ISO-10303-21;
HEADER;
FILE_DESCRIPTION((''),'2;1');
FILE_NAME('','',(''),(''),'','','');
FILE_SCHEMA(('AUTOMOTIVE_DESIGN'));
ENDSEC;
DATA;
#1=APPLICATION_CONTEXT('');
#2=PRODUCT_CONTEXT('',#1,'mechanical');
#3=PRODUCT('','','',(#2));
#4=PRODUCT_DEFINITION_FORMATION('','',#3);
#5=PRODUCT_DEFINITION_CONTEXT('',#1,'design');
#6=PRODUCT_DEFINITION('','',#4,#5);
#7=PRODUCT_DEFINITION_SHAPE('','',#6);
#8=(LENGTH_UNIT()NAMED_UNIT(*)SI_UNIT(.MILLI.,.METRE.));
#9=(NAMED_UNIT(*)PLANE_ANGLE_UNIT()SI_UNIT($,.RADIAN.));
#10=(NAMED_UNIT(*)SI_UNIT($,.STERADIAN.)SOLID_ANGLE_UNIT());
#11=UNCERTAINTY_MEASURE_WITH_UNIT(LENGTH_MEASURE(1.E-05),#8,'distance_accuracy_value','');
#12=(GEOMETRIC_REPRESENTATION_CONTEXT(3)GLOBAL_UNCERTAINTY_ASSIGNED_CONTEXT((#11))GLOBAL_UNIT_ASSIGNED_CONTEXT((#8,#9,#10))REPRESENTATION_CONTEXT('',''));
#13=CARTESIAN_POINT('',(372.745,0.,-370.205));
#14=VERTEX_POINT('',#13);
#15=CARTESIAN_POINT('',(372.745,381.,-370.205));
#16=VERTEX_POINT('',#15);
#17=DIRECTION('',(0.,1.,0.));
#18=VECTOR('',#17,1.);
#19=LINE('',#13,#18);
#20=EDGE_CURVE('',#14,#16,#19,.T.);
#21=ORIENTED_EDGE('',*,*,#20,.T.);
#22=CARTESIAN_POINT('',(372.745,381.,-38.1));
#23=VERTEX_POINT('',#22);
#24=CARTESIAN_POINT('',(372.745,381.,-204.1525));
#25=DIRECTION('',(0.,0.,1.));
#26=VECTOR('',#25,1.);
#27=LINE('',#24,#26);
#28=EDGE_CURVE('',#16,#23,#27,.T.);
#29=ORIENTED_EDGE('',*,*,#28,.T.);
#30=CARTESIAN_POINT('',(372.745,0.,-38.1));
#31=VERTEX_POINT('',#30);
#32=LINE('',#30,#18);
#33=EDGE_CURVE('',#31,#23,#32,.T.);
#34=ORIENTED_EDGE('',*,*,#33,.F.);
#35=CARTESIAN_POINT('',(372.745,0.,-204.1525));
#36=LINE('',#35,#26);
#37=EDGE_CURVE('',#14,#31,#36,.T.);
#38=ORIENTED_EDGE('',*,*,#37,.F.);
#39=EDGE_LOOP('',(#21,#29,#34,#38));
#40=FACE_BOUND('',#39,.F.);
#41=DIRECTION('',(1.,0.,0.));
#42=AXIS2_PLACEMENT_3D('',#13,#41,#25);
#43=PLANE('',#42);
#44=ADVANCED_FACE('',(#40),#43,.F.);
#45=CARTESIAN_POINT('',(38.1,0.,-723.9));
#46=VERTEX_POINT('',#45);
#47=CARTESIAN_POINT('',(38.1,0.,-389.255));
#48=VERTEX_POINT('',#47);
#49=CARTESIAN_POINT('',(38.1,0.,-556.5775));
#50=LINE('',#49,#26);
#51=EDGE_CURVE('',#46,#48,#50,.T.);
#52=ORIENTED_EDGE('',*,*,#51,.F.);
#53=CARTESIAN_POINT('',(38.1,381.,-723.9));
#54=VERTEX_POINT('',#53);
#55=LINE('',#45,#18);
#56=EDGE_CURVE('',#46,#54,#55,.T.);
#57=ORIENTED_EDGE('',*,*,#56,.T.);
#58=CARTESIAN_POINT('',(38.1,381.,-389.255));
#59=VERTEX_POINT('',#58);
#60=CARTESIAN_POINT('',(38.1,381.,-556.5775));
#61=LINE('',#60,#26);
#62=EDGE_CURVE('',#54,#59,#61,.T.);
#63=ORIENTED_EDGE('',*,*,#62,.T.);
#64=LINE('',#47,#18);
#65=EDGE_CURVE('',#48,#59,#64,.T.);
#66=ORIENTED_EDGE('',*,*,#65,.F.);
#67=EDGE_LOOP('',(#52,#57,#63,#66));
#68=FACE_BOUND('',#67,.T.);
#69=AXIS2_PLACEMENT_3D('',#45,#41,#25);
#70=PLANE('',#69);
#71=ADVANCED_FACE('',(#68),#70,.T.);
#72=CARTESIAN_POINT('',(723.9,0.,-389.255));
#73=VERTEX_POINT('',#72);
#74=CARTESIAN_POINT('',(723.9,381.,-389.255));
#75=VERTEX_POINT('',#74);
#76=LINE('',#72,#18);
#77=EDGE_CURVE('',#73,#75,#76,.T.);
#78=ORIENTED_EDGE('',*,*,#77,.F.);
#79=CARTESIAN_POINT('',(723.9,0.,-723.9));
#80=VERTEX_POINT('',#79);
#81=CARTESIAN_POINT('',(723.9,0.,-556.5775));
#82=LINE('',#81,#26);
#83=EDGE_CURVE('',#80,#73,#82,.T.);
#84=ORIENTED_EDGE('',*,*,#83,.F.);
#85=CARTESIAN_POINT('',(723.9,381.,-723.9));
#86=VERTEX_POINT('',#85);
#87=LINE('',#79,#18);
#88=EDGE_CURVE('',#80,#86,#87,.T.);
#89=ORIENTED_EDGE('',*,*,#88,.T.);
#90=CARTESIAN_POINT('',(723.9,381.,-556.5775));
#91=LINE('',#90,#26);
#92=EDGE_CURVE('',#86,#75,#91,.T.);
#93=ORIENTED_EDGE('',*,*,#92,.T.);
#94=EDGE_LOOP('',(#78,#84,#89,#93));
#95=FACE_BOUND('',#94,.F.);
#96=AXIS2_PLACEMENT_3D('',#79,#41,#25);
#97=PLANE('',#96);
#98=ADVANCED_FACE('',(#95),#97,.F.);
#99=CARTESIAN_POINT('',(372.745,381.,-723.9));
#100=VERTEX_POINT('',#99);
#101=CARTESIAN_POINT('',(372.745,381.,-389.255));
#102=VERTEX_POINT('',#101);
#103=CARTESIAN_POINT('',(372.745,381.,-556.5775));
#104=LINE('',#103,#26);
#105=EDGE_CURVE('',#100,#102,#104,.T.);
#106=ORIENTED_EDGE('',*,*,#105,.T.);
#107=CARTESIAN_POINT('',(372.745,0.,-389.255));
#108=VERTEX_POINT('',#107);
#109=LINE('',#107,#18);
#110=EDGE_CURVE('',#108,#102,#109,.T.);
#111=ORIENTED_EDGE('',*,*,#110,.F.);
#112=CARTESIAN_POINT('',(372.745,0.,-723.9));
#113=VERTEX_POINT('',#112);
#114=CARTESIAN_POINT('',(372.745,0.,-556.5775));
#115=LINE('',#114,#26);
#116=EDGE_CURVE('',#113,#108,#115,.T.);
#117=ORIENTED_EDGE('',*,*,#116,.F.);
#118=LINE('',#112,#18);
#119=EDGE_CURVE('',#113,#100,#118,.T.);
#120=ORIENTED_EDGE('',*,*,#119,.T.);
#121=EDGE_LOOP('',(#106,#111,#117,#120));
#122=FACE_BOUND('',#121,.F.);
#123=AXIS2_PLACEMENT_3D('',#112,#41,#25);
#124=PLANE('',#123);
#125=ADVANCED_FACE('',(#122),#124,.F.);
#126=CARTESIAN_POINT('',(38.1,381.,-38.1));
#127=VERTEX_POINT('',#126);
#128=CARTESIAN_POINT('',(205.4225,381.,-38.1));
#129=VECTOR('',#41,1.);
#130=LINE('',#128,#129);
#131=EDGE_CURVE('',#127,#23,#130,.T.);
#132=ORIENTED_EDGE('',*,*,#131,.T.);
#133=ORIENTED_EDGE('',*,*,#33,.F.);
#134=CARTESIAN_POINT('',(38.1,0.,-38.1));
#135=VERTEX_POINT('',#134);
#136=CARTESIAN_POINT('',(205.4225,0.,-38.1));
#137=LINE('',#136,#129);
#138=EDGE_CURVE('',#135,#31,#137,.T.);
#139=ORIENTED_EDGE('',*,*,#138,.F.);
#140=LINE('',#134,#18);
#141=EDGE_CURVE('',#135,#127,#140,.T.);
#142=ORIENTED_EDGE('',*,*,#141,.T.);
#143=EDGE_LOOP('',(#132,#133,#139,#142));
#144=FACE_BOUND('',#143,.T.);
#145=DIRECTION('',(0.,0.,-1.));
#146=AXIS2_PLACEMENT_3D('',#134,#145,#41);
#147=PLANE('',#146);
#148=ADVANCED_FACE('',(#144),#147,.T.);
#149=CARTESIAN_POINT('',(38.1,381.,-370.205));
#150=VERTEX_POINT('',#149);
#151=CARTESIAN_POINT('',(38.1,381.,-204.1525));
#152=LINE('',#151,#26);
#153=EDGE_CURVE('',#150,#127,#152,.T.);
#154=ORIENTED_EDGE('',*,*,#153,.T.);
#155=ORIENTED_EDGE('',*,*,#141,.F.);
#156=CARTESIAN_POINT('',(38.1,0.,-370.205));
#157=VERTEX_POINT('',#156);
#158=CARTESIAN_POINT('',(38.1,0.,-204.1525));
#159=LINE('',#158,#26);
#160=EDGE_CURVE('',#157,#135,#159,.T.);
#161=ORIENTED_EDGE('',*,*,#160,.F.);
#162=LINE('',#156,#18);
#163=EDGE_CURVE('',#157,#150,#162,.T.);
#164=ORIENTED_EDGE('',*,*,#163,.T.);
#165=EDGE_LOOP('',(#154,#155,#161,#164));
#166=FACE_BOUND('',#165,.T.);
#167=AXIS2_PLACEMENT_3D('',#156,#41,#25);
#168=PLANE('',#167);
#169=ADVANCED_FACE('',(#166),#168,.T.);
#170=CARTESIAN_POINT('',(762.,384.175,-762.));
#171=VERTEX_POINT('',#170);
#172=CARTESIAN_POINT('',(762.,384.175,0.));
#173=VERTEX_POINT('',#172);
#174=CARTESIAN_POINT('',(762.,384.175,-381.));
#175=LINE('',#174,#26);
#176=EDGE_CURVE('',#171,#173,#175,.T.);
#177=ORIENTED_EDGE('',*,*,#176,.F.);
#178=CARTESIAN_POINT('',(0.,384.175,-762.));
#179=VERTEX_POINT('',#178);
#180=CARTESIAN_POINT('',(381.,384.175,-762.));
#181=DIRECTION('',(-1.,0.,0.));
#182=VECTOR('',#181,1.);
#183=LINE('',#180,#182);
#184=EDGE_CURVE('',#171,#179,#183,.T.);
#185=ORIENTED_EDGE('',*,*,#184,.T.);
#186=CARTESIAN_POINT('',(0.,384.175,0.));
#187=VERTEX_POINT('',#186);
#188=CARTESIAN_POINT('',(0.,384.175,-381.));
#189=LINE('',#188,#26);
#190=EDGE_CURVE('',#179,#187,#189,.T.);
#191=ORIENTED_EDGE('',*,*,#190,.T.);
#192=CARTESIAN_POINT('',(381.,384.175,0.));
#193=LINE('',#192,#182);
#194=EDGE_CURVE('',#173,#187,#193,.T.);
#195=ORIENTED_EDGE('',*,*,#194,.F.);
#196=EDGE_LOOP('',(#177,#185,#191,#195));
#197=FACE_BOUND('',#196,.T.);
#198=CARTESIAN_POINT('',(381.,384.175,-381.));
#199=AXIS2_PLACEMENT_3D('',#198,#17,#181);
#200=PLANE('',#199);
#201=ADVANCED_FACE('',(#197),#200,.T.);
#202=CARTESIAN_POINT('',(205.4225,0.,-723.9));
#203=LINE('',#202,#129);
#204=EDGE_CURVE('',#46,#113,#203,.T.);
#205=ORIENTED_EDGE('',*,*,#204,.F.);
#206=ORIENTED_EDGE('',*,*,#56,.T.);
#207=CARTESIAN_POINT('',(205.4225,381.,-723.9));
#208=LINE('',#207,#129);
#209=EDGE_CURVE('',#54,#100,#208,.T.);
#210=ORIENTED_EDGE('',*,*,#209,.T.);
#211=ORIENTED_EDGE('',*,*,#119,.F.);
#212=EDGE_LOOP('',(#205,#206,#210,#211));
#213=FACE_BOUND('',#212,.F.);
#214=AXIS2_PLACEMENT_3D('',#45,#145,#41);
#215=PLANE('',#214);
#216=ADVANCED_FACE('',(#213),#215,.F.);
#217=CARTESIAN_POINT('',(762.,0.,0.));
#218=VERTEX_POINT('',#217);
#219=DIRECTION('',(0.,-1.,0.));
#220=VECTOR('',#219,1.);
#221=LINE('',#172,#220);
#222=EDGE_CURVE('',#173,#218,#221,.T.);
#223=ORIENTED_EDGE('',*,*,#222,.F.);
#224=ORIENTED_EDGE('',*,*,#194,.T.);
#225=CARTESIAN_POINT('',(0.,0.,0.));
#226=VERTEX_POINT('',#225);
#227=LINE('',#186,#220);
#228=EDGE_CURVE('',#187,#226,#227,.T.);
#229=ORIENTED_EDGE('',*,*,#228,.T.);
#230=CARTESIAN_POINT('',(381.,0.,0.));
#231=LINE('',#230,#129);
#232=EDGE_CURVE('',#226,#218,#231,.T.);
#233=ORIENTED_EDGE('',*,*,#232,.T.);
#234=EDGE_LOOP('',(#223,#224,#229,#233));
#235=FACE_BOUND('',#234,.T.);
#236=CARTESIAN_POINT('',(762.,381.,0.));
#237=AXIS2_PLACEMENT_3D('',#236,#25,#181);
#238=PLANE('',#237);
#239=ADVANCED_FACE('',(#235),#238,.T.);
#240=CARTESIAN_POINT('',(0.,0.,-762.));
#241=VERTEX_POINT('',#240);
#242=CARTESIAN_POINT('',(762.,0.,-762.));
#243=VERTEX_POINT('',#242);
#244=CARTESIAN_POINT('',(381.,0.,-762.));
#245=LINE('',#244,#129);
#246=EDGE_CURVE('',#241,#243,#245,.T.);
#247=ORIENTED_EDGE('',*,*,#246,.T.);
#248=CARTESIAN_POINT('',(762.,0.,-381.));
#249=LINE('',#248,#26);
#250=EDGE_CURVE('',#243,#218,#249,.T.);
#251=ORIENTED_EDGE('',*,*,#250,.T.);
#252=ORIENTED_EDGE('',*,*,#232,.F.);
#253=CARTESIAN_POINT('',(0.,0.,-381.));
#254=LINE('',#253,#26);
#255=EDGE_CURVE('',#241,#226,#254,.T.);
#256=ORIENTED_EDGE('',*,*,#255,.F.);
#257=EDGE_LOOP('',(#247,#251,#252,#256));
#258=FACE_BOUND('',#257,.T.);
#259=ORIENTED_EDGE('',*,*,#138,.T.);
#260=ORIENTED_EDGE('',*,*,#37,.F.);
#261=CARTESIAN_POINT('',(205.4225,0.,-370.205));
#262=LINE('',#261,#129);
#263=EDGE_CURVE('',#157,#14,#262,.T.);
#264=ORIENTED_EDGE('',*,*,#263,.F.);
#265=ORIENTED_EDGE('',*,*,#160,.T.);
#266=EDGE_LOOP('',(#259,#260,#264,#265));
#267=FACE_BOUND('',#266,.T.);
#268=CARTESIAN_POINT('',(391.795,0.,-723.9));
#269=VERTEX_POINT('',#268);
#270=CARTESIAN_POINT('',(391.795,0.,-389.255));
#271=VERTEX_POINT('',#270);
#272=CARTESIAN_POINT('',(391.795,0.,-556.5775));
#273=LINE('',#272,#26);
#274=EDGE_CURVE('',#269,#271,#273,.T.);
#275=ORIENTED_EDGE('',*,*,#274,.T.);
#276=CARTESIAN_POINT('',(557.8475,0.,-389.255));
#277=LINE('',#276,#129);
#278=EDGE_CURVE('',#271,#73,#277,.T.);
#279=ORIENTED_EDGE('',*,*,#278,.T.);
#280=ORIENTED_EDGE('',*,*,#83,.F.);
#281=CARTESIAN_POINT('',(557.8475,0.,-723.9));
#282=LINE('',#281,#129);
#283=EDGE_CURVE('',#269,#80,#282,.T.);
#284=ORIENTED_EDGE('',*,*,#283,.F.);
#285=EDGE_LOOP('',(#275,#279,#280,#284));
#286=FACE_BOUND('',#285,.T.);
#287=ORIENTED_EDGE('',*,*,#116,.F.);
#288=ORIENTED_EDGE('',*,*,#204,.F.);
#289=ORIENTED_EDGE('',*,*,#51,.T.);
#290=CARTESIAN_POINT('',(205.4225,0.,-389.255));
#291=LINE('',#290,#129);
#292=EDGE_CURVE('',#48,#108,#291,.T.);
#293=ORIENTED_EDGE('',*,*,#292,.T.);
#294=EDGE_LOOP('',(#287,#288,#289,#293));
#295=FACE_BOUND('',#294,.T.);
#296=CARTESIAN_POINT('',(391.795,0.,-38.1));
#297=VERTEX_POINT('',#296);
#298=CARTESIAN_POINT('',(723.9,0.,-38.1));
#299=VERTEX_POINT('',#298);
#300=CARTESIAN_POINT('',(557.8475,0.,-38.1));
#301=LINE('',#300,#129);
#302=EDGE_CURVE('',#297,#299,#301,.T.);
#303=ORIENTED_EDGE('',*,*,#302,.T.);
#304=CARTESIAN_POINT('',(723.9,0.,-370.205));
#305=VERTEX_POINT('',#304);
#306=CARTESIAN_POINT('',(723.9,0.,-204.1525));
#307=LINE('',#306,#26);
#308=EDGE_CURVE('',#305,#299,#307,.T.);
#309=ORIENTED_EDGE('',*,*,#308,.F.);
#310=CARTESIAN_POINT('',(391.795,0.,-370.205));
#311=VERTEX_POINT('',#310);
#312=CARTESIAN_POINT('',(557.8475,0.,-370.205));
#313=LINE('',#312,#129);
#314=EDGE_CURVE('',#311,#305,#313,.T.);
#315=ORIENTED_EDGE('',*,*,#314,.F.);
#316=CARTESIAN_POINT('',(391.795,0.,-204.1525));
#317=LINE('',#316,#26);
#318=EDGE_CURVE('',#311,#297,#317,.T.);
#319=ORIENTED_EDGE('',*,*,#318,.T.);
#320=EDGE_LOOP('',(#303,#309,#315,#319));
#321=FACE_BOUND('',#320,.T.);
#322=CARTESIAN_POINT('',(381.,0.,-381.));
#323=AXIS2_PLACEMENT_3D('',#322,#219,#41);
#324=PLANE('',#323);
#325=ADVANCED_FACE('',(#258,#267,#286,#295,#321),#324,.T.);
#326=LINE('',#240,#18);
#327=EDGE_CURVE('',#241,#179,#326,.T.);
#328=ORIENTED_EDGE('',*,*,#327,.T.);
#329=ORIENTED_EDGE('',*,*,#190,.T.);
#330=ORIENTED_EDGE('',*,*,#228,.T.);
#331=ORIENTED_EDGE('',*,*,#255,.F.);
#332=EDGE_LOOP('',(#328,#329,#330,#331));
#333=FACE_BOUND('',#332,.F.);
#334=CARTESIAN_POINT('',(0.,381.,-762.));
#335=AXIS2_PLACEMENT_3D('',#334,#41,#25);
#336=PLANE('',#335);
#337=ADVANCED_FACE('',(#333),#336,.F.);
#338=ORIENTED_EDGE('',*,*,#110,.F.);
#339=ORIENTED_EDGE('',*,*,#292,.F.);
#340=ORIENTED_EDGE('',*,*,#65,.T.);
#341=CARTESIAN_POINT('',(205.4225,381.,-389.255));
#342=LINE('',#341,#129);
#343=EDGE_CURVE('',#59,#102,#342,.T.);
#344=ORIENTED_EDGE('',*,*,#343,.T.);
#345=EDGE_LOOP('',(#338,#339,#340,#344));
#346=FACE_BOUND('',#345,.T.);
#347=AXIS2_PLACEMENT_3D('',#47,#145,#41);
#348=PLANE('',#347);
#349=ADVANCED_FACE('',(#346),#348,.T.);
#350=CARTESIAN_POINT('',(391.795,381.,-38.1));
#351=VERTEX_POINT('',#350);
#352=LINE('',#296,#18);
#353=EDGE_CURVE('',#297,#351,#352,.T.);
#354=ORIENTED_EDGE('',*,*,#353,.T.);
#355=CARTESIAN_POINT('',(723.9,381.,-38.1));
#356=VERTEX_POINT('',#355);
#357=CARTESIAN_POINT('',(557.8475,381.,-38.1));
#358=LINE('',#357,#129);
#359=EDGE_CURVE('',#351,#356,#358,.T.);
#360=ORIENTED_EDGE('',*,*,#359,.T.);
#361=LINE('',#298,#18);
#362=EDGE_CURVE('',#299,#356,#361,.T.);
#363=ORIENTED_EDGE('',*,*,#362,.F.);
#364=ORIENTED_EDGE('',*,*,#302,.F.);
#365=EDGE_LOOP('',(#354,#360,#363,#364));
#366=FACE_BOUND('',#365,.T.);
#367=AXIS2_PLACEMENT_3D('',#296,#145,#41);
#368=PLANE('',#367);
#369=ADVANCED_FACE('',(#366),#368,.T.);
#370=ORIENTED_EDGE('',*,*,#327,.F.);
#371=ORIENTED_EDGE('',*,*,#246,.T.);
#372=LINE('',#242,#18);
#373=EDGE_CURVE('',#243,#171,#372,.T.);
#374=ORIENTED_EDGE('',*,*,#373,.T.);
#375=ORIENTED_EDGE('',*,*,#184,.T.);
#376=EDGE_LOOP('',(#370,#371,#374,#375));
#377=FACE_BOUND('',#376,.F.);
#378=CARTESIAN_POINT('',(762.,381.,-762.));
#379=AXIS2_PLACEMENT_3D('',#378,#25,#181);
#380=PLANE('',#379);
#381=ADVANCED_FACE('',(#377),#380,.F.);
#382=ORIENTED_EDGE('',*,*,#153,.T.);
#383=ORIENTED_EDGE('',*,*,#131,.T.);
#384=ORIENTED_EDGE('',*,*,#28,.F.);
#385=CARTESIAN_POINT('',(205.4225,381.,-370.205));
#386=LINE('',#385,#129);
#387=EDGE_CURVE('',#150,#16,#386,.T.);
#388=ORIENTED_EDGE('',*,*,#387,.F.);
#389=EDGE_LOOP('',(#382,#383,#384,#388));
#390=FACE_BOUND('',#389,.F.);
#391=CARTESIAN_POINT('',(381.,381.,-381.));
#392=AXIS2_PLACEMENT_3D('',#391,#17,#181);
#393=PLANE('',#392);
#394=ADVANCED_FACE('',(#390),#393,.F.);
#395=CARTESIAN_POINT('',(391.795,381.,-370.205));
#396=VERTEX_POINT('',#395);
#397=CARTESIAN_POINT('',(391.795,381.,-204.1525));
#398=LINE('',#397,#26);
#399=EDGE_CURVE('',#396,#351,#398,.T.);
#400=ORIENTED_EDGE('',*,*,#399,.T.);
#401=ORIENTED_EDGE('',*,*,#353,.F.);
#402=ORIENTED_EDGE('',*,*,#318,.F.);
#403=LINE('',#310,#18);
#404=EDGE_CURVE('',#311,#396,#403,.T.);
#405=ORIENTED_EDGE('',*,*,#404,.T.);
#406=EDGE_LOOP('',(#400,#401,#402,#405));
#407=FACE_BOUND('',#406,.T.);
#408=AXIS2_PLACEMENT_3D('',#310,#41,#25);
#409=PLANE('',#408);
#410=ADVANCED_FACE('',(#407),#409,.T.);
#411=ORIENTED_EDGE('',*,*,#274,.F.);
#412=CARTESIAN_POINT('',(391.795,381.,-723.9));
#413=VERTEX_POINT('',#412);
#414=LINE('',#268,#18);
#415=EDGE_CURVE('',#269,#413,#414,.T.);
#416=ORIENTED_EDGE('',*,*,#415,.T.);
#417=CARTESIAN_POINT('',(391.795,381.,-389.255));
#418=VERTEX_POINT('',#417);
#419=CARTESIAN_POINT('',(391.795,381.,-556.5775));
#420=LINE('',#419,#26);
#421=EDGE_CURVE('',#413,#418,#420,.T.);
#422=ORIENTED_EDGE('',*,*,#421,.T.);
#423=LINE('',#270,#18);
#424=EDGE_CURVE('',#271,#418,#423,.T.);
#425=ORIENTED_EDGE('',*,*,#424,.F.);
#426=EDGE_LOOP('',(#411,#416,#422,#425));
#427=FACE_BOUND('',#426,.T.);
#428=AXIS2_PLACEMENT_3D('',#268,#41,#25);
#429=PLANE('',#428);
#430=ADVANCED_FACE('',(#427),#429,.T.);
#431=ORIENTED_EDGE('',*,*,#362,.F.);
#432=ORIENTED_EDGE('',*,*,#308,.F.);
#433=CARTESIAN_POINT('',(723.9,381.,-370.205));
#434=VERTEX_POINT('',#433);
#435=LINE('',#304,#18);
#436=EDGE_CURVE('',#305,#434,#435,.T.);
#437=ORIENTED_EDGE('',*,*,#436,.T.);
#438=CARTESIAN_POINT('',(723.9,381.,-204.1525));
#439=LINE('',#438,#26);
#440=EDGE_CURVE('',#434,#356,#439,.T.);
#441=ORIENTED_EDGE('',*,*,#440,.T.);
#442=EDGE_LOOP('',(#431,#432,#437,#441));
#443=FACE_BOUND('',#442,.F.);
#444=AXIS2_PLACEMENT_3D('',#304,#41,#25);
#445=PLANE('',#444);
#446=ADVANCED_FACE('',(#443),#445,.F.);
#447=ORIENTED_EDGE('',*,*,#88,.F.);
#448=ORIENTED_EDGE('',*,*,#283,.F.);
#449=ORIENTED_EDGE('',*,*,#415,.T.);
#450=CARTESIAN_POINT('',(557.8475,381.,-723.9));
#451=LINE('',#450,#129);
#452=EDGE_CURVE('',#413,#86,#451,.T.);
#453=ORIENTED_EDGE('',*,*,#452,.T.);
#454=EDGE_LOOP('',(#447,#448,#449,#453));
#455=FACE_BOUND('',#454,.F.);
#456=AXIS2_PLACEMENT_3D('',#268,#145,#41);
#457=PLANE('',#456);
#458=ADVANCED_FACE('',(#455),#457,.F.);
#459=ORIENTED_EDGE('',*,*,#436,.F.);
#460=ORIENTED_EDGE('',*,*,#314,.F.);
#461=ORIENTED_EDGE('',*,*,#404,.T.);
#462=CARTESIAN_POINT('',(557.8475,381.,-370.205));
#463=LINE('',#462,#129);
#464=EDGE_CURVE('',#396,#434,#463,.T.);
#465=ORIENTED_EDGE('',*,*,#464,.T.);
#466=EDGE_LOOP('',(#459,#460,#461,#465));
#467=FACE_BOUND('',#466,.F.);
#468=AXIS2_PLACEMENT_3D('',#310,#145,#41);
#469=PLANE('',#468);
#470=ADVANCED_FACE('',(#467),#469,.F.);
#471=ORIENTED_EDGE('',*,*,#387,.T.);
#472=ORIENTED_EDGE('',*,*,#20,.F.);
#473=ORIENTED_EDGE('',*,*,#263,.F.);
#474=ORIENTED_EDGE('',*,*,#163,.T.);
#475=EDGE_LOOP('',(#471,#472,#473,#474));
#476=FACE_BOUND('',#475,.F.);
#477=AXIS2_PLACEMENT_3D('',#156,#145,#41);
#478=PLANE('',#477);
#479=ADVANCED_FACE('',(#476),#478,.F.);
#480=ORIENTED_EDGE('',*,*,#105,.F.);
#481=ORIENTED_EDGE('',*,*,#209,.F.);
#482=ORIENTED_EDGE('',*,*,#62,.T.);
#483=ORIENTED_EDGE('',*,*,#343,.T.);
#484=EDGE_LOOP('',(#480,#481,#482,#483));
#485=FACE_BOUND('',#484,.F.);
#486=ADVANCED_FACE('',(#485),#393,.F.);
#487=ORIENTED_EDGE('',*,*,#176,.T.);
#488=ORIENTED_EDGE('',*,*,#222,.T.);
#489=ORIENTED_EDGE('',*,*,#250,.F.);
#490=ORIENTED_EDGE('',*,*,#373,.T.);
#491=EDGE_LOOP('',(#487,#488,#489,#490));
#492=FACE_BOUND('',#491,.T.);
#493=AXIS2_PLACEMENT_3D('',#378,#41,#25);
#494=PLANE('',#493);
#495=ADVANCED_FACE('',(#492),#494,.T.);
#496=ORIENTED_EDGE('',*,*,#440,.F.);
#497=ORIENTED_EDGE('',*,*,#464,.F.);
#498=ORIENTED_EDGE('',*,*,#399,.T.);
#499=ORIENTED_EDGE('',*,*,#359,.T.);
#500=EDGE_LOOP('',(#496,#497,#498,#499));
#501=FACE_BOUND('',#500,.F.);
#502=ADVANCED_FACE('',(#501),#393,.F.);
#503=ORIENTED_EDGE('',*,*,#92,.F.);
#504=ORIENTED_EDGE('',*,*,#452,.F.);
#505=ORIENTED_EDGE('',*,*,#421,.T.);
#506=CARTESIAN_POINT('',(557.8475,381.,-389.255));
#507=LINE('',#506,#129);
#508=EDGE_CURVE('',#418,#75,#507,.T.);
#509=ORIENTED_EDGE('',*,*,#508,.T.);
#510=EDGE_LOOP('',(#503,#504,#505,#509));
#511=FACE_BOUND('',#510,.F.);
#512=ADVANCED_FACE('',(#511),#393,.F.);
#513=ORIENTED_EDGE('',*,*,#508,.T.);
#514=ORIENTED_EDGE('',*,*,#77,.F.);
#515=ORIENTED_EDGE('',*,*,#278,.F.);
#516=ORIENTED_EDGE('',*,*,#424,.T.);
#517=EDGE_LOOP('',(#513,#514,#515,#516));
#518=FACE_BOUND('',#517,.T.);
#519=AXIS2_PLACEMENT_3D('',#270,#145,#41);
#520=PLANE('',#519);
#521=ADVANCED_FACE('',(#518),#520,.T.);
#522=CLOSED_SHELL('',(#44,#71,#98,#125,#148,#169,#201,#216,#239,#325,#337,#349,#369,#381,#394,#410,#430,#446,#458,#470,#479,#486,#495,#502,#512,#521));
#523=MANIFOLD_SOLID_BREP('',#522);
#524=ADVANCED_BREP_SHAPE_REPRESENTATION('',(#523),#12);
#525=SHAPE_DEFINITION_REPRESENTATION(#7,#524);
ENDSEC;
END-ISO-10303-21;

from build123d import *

# Parameters (mm, degrees)
F0_W     = 762
F0_H     = 762
F0_W_2   = 334.645
F0_H_2   = 334.645
F0_W_3   = 332.105
F0_H_3   = 332.105
F1_DEPTH = 381
F2_W     = 762
F2_H     = 762
F3_DEPTH = 3.175


with BuildPart() as f1:
    # F0 (on Front) → F1 (new body)
    with BuildSketch(Plane.XZ):
        with Locations((381, -381)):
            Rectangle(F0_W, F0_H)
        with Locations((205.4225, -556.5775)):
            Rectangle(F0_W_2, F0_H_2, mode=Mode.SUBTRACT)
        with Locations((557.8475, -556.5775)):
            Rectangle(F0_W_3, F0_H_2, mode=Mode.SUBTRACT)
        with Locations((205.4225, -204.1525)):
            Rectangle(F0_W_2, F0_H_3, mode=Mode.SUBTRACT)
        with Locations((557.8475, -204.1525)):
            Rectangle(F0_W_3, F0_H_3, mode=Mode.SUBTRACT)
    extrude(amount=-F1_DEPTH)

    # F2 (on face) → F3 (join)
    with BuildSketch(Plane(origin=(0, 381, 0), x_dir=(-1, 0, 0), z_dir=(0, 1, 0))):
        with Locations((-381, -381)):
            Rectangle(F2_W, F2_H)
    extrude(amount=F3_DEPTH)


solid = f1.part
